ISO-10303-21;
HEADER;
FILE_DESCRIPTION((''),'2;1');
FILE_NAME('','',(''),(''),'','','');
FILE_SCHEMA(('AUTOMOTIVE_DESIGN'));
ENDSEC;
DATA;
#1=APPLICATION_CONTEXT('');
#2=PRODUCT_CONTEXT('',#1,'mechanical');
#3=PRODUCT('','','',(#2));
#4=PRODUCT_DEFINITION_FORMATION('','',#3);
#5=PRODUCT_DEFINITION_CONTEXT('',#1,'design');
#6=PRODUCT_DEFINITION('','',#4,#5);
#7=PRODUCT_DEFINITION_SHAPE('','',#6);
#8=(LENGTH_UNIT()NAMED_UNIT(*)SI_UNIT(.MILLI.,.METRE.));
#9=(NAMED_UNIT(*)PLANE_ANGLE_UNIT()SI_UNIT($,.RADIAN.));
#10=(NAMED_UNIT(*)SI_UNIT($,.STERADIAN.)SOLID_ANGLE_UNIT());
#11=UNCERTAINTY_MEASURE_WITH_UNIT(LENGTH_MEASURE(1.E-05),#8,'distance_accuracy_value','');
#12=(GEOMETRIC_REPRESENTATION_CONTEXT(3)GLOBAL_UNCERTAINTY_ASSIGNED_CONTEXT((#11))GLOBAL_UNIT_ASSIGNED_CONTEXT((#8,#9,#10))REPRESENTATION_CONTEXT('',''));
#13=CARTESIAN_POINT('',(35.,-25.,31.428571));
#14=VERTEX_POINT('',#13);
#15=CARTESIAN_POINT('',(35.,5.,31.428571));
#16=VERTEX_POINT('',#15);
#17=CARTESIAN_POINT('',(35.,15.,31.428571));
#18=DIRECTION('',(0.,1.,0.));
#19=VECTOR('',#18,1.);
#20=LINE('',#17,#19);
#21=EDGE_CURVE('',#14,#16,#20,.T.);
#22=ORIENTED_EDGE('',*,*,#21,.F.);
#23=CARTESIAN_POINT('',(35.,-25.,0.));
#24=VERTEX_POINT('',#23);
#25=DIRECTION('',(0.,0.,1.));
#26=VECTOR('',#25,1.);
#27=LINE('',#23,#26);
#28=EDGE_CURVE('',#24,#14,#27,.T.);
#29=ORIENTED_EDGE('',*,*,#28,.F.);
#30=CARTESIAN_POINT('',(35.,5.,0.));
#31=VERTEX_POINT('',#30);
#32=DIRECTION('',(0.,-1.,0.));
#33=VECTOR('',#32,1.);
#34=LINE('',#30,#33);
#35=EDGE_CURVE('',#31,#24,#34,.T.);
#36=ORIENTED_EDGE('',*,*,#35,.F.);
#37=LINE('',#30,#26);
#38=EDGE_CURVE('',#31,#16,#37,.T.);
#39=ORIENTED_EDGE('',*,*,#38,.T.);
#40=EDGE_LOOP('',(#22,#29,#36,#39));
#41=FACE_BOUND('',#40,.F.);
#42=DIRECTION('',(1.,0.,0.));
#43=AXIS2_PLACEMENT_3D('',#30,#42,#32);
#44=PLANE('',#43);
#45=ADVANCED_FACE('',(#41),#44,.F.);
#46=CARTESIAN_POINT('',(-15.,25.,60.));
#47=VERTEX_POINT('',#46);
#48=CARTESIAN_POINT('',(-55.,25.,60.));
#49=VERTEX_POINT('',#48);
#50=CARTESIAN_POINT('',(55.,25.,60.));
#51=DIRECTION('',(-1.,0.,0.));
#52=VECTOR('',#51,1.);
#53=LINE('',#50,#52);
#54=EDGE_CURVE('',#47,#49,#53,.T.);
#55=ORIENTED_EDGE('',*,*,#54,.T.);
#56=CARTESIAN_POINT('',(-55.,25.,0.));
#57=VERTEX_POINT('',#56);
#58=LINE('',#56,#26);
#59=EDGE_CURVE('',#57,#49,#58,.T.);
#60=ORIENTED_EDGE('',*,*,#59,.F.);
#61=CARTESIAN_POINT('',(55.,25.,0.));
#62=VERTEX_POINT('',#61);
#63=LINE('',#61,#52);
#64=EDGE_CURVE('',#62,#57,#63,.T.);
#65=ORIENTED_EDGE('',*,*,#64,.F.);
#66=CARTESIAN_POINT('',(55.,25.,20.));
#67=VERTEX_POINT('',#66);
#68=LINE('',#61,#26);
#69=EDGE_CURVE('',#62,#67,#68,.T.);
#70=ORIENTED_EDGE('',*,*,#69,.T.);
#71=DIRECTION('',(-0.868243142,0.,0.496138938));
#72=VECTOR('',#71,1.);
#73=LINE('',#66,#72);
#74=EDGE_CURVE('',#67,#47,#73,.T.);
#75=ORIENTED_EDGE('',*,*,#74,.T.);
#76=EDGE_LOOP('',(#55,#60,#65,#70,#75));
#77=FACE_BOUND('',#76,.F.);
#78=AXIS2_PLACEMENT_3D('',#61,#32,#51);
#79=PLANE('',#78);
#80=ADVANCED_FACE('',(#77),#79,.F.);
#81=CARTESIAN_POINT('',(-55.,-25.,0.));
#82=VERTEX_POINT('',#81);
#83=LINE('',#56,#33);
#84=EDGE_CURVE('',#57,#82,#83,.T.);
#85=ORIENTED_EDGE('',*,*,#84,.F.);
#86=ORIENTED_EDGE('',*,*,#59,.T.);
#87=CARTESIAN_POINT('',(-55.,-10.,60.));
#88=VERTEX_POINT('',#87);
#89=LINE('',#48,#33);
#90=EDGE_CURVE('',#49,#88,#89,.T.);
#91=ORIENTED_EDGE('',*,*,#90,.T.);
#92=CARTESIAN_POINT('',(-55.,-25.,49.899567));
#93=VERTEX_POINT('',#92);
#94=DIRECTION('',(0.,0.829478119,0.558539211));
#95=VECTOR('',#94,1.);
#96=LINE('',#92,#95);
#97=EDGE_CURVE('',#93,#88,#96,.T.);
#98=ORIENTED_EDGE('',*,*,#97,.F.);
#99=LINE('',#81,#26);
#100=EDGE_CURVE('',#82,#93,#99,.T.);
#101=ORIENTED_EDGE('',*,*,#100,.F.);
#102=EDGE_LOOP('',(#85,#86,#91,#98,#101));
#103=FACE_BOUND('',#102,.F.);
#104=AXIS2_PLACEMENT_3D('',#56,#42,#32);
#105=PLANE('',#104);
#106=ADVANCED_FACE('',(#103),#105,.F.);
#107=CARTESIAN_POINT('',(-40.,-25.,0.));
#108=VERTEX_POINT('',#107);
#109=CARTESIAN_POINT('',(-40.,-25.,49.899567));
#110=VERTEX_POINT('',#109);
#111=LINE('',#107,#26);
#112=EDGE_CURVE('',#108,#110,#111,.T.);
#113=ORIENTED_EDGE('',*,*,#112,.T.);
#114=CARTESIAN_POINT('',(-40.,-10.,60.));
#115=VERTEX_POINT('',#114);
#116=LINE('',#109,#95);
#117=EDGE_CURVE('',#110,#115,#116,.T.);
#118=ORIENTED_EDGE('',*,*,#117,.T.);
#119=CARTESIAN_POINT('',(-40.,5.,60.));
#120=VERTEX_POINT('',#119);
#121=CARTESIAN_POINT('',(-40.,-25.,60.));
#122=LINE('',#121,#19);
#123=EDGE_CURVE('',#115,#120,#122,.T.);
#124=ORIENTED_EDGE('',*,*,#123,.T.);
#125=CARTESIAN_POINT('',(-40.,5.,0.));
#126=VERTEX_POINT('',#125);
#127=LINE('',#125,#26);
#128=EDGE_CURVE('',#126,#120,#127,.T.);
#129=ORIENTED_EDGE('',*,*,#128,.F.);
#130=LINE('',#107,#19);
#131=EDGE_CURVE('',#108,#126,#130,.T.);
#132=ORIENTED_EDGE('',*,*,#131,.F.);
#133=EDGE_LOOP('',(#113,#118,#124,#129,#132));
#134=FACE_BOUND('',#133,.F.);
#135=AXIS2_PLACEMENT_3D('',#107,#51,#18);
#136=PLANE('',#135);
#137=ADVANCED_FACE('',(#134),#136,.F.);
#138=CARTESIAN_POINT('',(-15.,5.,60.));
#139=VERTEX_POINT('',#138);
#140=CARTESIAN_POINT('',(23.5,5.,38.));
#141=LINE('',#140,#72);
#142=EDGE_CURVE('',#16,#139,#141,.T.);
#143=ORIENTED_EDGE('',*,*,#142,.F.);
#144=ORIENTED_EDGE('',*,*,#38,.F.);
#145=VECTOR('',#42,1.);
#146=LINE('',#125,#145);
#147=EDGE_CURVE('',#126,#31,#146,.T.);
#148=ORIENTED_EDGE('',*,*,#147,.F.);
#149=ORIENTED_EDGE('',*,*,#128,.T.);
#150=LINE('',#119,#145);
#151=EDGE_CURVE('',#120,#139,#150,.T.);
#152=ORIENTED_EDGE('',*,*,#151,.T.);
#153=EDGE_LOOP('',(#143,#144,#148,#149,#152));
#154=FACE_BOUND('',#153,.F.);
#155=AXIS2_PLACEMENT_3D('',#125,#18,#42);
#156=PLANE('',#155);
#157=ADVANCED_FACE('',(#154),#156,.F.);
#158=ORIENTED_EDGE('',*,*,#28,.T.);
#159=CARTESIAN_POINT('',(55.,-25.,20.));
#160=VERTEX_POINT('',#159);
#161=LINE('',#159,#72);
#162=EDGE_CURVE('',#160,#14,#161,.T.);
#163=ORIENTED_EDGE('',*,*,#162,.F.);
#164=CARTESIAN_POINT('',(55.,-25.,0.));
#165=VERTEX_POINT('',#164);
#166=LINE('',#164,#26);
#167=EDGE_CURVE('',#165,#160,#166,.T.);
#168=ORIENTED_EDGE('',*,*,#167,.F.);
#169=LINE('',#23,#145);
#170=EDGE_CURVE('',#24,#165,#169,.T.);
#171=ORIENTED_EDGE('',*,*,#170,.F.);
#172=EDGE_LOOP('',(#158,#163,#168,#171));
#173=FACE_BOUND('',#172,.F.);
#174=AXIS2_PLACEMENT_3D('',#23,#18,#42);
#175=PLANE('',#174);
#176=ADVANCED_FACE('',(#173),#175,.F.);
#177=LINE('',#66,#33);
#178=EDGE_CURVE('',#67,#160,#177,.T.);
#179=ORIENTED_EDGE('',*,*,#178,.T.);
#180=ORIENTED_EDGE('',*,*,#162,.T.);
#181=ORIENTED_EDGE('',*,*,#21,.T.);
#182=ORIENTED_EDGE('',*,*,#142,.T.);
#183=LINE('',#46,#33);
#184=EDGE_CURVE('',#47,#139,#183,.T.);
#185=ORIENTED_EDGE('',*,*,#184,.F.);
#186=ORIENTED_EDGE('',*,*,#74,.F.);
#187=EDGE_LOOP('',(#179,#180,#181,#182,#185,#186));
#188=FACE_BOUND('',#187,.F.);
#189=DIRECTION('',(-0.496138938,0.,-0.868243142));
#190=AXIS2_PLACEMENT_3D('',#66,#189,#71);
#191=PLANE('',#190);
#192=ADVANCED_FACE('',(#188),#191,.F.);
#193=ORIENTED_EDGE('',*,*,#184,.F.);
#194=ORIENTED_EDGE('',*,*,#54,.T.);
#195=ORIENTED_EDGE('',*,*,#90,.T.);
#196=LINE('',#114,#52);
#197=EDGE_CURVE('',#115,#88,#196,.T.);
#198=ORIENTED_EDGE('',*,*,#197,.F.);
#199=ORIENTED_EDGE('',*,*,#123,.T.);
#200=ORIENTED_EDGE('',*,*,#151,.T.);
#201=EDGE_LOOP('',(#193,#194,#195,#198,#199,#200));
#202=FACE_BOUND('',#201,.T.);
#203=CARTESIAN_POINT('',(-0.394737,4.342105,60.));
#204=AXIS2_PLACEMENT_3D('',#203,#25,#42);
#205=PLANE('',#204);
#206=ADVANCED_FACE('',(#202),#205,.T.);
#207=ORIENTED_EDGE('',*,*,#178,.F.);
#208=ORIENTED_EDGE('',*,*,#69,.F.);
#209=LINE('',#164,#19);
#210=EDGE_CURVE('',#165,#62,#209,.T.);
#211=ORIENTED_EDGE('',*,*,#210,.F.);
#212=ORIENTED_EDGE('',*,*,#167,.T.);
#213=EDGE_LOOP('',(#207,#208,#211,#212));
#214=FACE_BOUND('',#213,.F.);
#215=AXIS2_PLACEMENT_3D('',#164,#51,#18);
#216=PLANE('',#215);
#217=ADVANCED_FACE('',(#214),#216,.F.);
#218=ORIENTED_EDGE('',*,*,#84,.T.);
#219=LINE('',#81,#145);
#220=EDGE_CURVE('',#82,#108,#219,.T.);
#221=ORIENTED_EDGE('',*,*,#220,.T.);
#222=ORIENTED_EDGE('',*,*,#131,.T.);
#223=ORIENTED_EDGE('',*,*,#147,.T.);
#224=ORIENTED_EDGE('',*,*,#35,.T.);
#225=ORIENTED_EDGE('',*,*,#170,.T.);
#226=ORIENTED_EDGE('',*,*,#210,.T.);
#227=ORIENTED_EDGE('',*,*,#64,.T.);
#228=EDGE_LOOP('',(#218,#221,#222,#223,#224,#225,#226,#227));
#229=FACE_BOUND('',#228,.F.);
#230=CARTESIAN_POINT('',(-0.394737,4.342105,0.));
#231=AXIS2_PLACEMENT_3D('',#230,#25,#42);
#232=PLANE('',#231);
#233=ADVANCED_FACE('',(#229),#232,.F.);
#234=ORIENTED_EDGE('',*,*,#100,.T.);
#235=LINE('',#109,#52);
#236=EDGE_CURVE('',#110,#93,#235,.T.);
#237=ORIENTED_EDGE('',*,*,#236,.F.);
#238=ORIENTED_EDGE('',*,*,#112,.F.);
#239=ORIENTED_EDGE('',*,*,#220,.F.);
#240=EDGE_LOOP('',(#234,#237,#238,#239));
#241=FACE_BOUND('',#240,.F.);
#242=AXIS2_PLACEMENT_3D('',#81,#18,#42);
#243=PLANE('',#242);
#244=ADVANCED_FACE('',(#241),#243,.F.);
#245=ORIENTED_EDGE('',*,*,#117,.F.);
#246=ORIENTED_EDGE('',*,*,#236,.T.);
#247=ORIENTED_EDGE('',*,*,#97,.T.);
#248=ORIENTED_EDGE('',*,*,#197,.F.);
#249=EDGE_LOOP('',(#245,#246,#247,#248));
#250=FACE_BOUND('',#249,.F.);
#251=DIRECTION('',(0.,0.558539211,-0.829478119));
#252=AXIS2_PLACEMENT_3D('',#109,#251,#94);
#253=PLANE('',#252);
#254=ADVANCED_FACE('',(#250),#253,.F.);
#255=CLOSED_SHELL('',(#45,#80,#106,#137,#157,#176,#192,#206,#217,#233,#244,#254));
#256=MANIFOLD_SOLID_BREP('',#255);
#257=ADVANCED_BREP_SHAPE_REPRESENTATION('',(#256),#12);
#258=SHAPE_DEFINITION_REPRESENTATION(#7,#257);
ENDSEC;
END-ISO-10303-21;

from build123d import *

# Parameters (mm, degrees)
F1_DEPTH = 60
F3_DEPTH = 15
F5_DEPTH = 50


with BuildPart() as f1:
    # F0 (on Top) → F1 (new body)
    with BuildSketch(Plane.XY):
        Polygon((55, 25), (-55, 25), (-55, -25), (-40, -25), (-40, 5), (35, 5), (35, -25), (55, -25), align=None)
    extrude(amount=F1_DEPTH)

    # F2 (on face) → F3 (cut)
    with BuildSketch(Plane.YZ.offset(-40)):
        Polygon((-10, 60), (-25, 60), (-25, 49.899567), align=None)
    extrude(amount=-F3_DEPTH, mode=Mode.SUBTRACT)

    # F4 (on face) → F5 (cut)
    with BuildSketch(Plane(origin=(0, 25, 0), x_dir=(-1, 0, 0), z_dir=(0, 1, 0))):
        Polygon((-55, 20), (15, 60), (-55, 60), align=None)
    extrude(amount=-F5_DEPTH, mode=Mode.SUBTRACT)


solid = f1.part
